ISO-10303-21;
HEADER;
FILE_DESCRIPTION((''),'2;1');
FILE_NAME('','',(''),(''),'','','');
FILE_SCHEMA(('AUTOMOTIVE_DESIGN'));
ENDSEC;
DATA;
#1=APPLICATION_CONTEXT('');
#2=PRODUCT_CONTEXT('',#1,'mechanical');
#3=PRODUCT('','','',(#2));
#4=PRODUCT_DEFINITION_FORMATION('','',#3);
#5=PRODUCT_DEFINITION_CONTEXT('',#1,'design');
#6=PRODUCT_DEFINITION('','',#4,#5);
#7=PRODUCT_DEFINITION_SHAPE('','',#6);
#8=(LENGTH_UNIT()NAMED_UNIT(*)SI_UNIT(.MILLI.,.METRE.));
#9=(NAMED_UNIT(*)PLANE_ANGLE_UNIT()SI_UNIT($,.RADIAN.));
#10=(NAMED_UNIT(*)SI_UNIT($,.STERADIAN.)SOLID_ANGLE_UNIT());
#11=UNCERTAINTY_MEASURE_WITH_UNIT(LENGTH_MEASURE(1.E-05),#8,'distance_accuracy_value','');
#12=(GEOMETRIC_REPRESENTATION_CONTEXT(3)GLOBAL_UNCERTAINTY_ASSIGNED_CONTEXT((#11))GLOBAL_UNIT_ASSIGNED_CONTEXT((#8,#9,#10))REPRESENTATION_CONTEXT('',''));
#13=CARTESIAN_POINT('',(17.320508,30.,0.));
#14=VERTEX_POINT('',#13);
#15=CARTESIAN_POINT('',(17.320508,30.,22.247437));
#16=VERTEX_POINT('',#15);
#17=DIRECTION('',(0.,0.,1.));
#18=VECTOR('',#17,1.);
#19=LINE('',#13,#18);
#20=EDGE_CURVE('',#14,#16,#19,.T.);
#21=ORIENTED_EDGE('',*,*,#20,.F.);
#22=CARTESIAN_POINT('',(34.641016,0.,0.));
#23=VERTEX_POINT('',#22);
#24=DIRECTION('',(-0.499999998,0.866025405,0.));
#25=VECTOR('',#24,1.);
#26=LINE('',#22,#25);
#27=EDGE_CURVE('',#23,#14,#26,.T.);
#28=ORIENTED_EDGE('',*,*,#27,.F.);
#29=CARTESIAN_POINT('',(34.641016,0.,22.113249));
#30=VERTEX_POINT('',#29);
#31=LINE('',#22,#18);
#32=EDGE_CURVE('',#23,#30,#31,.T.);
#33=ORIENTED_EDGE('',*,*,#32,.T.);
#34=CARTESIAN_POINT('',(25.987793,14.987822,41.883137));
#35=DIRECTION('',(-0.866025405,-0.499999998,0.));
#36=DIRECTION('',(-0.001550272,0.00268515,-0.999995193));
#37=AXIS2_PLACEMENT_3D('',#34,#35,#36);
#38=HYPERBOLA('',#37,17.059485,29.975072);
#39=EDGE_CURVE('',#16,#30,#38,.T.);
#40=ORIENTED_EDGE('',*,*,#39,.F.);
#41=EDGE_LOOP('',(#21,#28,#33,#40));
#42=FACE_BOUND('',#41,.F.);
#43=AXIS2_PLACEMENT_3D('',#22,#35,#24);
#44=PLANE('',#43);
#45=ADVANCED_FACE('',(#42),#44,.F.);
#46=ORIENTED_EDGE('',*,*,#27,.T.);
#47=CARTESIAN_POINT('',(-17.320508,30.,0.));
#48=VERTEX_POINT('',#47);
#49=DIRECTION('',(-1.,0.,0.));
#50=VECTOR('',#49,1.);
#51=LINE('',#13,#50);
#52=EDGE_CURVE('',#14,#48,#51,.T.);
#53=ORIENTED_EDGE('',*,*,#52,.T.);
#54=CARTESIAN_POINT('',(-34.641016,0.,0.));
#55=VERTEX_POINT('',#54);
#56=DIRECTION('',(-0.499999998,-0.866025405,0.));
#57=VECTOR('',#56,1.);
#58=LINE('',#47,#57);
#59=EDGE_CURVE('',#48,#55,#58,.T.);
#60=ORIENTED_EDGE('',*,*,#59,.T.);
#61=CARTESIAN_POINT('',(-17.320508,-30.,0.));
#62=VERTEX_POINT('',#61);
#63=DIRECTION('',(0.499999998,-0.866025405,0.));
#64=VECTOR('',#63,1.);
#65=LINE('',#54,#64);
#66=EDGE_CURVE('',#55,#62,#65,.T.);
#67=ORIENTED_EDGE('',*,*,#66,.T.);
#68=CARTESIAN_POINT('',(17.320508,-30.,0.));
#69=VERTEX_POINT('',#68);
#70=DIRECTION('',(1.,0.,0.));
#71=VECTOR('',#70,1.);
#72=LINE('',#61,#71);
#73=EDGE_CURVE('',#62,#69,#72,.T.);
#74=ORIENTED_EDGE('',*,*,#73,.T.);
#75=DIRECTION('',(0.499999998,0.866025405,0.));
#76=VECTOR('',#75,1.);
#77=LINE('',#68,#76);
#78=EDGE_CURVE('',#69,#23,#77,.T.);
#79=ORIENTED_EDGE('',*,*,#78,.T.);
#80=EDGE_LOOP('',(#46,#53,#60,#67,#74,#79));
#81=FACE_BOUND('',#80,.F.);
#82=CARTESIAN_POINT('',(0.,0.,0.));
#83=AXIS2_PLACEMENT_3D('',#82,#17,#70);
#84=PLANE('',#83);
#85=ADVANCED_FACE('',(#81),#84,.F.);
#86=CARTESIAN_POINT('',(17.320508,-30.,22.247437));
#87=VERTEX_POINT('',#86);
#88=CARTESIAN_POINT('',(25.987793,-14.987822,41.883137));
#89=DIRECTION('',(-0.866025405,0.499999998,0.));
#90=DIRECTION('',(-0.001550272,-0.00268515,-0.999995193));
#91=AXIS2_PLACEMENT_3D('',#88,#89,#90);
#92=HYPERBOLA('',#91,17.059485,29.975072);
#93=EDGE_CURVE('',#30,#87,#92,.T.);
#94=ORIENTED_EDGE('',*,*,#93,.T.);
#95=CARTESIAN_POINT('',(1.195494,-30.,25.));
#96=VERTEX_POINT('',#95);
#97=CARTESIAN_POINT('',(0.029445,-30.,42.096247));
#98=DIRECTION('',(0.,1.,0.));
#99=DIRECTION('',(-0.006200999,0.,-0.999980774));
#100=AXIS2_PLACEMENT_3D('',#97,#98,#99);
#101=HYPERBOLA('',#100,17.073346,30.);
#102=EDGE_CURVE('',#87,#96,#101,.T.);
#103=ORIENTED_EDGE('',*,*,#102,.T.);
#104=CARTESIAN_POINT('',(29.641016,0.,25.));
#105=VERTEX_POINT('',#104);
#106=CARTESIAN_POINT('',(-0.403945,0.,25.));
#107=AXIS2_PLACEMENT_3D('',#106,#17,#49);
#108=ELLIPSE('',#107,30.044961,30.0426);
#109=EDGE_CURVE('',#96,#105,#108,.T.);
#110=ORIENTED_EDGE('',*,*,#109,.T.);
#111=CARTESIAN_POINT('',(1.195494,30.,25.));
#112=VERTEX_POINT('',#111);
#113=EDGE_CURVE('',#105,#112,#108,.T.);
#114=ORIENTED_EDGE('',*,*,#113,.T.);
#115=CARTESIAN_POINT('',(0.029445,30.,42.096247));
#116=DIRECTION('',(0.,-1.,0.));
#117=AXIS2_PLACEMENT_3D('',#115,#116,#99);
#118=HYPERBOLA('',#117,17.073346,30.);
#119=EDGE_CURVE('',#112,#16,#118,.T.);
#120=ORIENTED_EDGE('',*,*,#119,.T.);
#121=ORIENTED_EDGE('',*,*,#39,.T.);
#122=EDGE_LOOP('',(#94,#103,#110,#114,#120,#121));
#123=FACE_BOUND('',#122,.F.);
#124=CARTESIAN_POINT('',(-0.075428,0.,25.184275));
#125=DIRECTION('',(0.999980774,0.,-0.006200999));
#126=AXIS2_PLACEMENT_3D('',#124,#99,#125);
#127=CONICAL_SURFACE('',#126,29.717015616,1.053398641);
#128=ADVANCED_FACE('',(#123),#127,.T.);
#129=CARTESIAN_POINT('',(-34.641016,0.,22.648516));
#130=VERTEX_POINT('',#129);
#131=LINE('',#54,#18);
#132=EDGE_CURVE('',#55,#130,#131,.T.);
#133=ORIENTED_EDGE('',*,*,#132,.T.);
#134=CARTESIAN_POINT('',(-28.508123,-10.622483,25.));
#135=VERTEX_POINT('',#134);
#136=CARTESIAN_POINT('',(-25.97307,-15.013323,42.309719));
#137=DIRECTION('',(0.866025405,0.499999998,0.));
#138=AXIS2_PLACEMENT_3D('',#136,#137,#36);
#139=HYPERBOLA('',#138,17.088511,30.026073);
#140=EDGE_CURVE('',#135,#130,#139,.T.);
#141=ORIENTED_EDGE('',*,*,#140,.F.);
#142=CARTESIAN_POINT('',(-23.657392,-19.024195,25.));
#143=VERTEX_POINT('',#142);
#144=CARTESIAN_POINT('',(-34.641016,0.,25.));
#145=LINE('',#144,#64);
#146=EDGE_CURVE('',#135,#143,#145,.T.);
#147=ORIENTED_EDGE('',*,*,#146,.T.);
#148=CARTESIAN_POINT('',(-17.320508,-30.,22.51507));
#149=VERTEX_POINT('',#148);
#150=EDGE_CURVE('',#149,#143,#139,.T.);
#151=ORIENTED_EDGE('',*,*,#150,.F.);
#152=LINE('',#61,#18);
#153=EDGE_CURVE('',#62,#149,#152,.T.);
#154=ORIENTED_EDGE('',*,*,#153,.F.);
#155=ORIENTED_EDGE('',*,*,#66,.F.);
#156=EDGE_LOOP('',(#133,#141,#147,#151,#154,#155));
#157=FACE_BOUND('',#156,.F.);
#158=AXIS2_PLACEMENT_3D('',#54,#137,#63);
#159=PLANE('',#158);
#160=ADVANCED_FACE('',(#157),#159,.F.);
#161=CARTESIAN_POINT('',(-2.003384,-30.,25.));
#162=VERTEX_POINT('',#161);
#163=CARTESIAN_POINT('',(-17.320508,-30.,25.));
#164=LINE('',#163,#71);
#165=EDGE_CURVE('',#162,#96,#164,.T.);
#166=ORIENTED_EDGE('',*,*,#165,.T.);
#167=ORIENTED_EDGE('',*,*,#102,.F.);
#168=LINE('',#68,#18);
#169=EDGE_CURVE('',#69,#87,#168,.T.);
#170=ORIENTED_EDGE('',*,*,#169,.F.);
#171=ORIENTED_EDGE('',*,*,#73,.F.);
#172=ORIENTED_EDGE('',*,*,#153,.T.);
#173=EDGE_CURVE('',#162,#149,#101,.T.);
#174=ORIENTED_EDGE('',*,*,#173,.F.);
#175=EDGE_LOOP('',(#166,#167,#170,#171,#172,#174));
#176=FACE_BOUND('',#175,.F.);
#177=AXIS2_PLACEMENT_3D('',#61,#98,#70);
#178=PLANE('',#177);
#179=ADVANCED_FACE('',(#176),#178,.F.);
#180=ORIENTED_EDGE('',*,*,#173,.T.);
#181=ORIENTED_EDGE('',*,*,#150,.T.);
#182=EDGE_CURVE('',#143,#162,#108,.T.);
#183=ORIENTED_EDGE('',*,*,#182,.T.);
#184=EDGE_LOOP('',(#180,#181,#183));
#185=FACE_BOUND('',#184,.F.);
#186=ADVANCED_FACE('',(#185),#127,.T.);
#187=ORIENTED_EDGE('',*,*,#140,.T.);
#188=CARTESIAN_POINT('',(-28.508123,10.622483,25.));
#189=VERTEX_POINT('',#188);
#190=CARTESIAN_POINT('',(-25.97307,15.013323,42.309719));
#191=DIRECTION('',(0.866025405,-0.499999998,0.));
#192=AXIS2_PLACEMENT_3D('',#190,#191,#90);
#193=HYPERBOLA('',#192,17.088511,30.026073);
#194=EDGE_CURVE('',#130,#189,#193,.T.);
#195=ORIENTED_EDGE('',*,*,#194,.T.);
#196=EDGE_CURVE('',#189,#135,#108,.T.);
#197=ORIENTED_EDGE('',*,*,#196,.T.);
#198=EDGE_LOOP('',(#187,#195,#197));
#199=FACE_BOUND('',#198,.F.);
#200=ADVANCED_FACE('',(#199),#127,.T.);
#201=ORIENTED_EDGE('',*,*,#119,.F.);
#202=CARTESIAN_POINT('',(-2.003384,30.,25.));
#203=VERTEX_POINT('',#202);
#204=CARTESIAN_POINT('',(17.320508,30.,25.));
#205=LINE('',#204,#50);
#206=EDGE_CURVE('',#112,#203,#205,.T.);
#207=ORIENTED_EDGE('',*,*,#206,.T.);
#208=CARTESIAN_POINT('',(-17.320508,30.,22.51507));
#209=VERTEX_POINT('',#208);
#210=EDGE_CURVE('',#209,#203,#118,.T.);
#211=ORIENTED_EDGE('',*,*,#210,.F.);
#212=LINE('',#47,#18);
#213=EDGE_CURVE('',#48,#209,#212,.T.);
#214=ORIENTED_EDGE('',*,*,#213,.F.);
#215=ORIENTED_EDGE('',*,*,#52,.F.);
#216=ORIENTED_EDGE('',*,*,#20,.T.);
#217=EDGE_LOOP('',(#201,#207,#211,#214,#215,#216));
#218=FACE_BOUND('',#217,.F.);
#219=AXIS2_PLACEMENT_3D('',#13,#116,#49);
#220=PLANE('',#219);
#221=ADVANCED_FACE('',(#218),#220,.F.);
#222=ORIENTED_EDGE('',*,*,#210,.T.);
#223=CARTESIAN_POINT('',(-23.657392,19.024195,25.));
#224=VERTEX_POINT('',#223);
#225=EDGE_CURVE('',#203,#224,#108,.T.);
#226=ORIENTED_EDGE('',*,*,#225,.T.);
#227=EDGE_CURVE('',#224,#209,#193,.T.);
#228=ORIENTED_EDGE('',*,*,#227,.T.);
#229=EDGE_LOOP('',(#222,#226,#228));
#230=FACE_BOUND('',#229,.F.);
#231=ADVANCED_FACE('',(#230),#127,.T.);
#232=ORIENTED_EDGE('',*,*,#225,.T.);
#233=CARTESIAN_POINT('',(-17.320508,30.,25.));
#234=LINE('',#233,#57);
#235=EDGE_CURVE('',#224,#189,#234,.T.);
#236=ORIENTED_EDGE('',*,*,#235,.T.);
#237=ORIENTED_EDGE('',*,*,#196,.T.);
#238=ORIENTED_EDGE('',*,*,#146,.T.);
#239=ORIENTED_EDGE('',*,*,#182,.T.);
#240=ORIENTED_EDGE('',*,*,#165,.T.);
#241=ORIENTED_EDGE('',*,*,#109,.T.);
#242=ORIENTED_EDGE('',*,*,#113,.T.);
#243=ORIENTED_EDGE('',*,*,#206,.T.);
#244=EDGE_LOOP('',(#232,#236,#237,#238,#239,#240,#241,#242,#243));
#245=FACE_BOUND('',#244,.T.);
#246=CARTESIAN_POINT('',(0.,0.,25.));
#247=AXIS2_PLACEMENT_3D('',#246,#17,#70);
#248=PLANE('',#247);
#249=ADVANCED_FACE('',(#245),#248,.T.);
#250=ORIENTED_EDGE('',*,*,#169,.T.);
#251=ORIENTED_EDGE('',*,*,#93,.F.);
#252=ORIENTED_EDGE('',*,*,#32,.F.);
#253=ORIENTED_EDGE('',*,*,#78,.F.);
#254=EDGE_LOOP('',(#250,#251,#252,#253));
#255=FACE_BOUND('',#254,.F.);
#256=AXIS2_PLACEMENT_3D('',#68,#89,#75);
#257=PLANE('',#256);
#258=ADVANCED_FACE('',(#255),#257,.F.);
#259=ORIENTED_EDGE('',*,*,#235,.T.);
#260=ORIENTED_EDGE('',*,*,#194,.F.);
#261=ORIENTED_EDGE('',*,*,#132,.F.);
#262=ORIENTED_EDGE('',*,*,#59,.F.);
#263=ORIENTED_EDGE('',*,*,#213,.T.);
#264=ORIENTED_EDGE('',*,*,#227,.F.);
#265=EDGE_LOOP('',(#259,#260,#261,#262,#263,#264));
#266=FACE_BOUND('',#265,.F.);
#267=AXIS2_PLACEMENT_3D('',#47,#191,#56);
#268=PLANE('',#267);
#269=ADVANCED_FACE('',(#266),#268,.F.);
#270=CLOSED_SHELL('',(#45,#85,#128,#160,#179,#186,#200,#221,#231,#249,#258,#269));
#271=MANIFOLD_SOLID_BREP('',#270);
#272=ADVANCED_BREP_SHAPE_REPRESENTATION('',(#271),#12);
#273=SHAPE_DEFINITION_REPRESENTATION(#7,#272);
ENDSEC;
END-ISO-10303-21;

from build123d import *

# Parameters (mm, degrees)
F1_DEPTH = 25


with BuildPart() as f1:
    # F0 (on Top) → F1 (new body)
    with BuildSketch(Plane.XY):
        Polygon((17.320508, 30), (-17.320508, 30), (-34.641016, 0), (-17.320508, -30), (17.320508, -30), (34.641016, 0), align=None)
    extrude(amount=F1_DEPTH)

    # F2 (on Front) → F3 (revolve, cut)
    with BuildSketch(Plane.XZ):
        Polygon((34.641016, 22.113249), (34.641016, 25), (29.641016, 25), align=None)
    revolve(axis=Axis((-0.115662, 0, 18.696133), (0.006201, 0, 0.999981)), mode=Mode.SUBTRACT)


solid = f1.part
